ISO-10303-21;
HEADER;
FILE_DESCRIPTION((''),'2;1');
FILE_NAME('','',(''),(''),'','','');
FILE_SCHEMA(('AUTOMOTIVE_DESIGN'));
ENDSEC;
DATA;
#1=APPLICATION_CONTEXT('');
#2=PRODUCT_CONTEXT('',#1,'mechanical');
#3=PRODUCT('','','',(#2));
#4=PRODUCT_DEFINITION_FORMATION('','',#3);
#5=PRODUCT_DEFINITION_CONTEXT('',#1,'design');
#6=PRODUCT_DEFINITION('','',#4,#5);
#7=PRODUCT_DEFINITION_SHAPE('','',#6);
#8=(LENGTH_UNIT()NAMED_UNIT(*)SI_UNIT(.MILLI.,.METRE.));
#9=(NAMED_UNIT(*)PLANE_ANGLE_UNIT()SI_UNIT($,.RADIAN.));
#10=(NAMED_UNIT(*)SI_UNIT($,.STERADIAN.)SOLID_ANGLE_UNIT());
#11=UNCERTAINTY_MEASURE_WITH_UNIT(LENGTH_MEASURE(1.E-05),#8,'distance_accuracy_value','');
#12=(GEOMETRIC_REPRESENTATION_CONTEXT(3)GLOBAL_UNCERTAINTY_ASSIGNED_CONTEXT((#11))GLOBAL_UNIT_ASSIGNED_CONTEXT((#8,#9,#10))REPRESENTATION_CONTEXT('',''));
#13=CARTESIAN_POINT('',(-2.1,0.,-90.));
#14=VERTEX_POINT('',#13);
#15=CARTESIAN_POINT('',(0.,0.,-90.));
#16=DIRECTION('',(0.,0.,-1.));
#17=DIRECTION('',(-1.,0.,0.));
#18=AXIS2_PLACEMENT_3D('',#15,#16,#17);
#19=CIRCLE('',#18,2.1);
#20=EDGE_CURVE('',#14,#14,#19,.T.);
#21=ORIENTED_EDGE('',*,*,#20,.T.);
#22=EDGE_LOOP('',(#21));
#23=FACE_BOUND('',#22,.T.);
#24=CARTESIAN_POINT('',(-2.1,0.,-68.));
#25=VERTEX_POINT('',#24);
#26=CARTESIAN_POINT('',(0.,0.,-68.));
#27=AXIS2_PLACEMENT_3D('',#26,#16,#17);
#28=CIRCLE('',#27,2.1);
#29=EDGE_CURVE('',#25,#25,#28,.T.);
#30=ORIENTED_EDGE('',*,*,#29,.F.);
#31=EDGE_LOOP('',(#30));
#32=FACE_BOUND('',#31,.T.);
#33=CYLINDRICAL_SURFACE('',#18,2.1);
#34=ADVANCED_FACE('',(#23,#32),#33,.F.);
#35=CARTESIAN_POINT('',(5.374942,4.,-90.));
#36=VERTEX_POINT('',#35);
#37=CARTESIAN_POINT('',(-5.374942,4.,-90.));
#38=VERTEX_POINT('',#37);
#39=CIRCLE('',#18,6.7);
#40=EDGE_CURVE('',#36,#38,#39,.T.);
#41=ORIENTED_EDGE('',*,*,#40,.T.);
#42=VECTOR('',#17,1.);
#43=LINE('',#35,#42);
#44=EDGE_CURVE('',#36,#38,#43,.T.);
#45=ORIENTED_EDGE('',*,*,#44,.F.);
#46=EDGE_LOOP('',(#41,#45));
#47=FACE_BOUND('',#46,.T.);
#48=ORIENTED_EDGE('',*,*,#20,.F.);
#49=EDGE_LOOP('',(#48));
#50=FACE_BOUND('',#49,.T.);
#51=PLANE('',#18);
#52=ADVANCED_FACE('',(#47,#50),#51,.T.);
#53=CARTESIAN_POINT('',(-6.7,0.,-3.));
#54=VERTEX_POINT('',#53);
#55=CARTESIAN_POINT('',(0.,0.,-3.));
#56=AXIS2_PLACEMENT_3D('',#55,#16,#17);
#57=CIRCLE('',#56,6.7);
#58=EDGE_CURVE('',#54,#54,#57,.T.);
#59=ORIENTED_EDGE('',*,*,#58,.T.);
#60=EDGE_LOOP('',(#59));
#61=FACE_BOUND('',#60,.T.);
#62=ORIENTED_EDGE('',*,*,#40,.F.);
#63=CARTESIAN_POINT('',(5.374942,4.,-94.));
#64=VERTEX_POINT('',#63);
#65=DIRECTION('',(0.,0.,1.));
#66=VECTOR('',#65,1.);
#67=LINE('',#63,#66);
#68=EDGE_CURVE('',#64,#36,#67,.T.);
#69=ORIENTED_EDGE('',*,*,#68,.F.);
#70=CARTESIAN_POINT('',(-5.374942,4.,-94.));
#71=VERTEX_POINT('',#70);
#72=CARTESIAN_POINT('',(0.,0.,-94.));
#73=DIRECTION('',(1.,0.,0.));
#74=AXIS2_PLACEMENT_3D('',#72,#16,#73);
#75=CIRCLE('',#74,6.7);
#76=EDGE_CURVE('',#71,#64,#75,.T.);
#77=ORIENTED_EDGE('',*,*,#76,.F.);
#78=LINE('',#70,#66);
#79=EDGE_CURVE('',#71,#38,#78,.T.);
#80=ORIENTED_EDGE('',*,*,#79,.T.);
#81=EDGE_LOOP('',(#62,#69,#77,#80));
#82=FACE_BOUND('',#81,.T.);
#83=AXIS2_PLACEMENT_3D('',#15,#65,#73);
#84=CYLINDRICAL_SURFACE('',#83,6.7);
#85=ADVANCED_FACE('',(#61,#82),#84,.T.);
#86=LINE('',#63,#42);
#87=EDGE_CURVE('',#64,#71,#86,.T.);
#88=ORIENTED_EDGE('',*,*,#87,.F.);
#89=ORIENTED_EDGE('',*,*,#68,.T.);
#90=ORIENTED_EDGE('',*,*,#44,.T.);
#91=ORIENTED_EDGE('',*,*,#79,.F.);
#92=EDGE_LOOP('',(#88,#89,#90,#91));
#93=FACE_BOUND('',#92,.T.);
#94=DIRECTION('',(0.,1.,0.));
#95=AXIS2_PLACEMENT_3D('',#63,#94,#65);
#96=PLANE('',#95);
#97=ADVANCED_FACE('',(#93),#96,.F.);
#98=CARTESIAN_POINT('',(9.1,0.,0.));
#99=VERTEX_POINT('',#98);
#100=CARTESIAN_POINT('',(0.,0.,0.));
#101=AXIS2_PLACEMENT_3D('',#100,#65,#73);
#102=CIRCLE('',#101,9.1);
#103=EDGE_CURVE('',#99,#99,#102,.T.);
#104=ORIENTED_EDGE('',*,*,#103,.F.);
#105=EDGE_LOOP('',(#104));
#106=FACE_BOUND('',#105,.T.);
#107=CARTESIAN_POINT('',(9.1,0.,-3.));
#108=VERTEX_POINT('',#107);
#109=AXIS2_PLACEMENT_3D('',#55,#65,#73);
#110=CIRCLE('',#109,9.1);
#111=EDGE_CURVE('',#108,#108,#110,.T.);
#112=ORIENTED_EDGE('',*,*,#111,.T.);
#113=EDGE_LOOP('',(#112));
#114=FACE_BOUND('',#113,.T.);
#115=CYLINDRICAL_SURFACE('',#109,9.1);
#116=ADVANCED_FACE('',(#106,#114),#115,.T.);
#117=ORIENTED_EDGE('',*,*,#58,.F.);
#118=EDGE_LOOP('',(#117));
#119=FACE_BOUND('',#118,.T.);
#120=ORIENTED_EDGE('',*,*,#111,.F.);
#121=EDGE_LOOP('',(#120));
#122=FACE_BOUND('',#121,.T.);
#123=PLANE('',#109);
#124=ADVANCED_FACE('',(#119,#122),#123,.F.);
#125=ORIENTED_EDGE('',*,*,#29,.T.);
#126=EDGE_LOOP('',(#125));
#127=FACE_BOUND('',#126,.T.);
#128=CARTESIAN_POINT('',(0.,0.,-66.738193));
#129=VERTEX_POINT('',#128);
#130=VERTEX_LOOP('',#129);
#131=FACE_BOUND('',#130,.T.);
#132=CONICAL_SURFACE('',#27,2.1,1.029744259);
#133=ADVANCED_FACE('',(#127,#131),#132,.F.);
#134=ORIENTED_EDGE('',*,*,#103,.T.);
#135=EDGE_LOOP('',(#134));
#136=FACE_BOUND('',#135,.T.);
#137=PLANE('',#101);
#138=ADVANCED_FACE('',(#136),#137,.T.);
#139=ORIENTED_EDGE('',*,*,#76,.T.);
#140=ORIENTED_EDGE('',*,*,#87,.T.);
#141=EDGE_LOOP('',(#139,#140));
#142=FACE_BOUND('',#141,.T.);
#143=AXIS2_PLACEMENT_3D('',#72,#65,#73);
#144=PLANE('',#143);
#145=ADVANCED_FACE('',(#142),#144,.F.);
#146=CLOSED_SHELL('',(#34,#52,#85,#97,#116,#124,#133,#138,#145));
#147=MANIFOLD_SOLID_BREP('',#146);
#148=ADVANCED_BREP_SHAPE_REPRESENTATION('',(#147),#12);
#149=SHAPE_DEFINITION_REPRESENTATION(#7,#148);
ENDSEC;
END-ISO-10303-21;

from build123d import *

# Parameters (mm, degrees)
ESBO_O1_R                                   = 9.1
RESSALTO_EXTRUS_O1_DEPTH                    = 3
ESBO_O2_R                                   = 6.7
RESSALTO_EXTRUS_O2_DEPTH                    = 87
FURO_ROSCADO_PARA_CONDU_TE_DE_M4X0_72_D     = 4.2
FURO_ROSCADO_PARA_CONDU_TE_DE_M4X0_72_DEPTH = 22
FURO_ROSCADO_PARA_CONDU_TE_DE_M4X0_72_TIP   = 1.2618073
RESSALTO_EXTRUS_O3_DEPTH                    = 4


with BuildPart() as part:
    # Esboço1 → Ressalto-extrusão1 (new body)
    with BuildSketch(Plane.XY):
        Circle(ESBO_O1_R)
    extrude(amount=-RESSALTO_EXTRUS_O1_DEPTH)

    # Esboço2 → Ressalto-extrusão2 (add)
    with BuildSketch(Plane(origin=(0, 0, -3), x_dir=(-1, 0, 0), z_dir=(0, 0, -1))):
        Circle(ESBO_O2_R)
    extrude(amount=RESSALTO_EXTRUS_O2_DEPTH)

    # Furo roscado para conduíte de M4x0.72
    with Locations(Plane(origin=(0, 0, -90), x_dir=(-1, 0, 0), z_dir=(0, 0, -1))):
        with Locations((0, 0)):
            Hole(FURO_ROSCADO_PARA_CONDU_TE_DE_M4X0_72_D / 2, depth=FURO_ROSCADO_PARA_CONDU_TE_DE_M4X0_72_DEPTH)
            with Locations((0, 0, -(FURO_ROSCADO_PARA_CONDU_TE_DE_M4X0_72_DEPTH + FURO_ROSCADO_PARA_CONDU_TE_DE_M4X0_72_TIP / 2))):  # 118° drill point
                Cone(0, FURO_ROSCADO_PARA_CONDU_TE_DE_M4X0_72_D / 2, FURO_ROSCADO_PARA_CONDU_TE_DE_M4X0_72_TIP, mode=Mode.SUBTRACT)

    # Esboço7 → Ressalto-extrusão3 (add)
    with BuildSketch(Plane(origin=(0, 0, -90), x_dir=(-1, 0, 0), z_dir=(0, 0, -1))):
        with BuildLine():
            Line((-5.37494186, 4), (5.37494186, 4))
            ThreePointArc((5.37494186, 4), (0, 6.7), (-5.37494186, 4))
        make_face()
    extrude(amount=RESSALTO_EXTRUS_O3_DEPTH)


solid = part.part
